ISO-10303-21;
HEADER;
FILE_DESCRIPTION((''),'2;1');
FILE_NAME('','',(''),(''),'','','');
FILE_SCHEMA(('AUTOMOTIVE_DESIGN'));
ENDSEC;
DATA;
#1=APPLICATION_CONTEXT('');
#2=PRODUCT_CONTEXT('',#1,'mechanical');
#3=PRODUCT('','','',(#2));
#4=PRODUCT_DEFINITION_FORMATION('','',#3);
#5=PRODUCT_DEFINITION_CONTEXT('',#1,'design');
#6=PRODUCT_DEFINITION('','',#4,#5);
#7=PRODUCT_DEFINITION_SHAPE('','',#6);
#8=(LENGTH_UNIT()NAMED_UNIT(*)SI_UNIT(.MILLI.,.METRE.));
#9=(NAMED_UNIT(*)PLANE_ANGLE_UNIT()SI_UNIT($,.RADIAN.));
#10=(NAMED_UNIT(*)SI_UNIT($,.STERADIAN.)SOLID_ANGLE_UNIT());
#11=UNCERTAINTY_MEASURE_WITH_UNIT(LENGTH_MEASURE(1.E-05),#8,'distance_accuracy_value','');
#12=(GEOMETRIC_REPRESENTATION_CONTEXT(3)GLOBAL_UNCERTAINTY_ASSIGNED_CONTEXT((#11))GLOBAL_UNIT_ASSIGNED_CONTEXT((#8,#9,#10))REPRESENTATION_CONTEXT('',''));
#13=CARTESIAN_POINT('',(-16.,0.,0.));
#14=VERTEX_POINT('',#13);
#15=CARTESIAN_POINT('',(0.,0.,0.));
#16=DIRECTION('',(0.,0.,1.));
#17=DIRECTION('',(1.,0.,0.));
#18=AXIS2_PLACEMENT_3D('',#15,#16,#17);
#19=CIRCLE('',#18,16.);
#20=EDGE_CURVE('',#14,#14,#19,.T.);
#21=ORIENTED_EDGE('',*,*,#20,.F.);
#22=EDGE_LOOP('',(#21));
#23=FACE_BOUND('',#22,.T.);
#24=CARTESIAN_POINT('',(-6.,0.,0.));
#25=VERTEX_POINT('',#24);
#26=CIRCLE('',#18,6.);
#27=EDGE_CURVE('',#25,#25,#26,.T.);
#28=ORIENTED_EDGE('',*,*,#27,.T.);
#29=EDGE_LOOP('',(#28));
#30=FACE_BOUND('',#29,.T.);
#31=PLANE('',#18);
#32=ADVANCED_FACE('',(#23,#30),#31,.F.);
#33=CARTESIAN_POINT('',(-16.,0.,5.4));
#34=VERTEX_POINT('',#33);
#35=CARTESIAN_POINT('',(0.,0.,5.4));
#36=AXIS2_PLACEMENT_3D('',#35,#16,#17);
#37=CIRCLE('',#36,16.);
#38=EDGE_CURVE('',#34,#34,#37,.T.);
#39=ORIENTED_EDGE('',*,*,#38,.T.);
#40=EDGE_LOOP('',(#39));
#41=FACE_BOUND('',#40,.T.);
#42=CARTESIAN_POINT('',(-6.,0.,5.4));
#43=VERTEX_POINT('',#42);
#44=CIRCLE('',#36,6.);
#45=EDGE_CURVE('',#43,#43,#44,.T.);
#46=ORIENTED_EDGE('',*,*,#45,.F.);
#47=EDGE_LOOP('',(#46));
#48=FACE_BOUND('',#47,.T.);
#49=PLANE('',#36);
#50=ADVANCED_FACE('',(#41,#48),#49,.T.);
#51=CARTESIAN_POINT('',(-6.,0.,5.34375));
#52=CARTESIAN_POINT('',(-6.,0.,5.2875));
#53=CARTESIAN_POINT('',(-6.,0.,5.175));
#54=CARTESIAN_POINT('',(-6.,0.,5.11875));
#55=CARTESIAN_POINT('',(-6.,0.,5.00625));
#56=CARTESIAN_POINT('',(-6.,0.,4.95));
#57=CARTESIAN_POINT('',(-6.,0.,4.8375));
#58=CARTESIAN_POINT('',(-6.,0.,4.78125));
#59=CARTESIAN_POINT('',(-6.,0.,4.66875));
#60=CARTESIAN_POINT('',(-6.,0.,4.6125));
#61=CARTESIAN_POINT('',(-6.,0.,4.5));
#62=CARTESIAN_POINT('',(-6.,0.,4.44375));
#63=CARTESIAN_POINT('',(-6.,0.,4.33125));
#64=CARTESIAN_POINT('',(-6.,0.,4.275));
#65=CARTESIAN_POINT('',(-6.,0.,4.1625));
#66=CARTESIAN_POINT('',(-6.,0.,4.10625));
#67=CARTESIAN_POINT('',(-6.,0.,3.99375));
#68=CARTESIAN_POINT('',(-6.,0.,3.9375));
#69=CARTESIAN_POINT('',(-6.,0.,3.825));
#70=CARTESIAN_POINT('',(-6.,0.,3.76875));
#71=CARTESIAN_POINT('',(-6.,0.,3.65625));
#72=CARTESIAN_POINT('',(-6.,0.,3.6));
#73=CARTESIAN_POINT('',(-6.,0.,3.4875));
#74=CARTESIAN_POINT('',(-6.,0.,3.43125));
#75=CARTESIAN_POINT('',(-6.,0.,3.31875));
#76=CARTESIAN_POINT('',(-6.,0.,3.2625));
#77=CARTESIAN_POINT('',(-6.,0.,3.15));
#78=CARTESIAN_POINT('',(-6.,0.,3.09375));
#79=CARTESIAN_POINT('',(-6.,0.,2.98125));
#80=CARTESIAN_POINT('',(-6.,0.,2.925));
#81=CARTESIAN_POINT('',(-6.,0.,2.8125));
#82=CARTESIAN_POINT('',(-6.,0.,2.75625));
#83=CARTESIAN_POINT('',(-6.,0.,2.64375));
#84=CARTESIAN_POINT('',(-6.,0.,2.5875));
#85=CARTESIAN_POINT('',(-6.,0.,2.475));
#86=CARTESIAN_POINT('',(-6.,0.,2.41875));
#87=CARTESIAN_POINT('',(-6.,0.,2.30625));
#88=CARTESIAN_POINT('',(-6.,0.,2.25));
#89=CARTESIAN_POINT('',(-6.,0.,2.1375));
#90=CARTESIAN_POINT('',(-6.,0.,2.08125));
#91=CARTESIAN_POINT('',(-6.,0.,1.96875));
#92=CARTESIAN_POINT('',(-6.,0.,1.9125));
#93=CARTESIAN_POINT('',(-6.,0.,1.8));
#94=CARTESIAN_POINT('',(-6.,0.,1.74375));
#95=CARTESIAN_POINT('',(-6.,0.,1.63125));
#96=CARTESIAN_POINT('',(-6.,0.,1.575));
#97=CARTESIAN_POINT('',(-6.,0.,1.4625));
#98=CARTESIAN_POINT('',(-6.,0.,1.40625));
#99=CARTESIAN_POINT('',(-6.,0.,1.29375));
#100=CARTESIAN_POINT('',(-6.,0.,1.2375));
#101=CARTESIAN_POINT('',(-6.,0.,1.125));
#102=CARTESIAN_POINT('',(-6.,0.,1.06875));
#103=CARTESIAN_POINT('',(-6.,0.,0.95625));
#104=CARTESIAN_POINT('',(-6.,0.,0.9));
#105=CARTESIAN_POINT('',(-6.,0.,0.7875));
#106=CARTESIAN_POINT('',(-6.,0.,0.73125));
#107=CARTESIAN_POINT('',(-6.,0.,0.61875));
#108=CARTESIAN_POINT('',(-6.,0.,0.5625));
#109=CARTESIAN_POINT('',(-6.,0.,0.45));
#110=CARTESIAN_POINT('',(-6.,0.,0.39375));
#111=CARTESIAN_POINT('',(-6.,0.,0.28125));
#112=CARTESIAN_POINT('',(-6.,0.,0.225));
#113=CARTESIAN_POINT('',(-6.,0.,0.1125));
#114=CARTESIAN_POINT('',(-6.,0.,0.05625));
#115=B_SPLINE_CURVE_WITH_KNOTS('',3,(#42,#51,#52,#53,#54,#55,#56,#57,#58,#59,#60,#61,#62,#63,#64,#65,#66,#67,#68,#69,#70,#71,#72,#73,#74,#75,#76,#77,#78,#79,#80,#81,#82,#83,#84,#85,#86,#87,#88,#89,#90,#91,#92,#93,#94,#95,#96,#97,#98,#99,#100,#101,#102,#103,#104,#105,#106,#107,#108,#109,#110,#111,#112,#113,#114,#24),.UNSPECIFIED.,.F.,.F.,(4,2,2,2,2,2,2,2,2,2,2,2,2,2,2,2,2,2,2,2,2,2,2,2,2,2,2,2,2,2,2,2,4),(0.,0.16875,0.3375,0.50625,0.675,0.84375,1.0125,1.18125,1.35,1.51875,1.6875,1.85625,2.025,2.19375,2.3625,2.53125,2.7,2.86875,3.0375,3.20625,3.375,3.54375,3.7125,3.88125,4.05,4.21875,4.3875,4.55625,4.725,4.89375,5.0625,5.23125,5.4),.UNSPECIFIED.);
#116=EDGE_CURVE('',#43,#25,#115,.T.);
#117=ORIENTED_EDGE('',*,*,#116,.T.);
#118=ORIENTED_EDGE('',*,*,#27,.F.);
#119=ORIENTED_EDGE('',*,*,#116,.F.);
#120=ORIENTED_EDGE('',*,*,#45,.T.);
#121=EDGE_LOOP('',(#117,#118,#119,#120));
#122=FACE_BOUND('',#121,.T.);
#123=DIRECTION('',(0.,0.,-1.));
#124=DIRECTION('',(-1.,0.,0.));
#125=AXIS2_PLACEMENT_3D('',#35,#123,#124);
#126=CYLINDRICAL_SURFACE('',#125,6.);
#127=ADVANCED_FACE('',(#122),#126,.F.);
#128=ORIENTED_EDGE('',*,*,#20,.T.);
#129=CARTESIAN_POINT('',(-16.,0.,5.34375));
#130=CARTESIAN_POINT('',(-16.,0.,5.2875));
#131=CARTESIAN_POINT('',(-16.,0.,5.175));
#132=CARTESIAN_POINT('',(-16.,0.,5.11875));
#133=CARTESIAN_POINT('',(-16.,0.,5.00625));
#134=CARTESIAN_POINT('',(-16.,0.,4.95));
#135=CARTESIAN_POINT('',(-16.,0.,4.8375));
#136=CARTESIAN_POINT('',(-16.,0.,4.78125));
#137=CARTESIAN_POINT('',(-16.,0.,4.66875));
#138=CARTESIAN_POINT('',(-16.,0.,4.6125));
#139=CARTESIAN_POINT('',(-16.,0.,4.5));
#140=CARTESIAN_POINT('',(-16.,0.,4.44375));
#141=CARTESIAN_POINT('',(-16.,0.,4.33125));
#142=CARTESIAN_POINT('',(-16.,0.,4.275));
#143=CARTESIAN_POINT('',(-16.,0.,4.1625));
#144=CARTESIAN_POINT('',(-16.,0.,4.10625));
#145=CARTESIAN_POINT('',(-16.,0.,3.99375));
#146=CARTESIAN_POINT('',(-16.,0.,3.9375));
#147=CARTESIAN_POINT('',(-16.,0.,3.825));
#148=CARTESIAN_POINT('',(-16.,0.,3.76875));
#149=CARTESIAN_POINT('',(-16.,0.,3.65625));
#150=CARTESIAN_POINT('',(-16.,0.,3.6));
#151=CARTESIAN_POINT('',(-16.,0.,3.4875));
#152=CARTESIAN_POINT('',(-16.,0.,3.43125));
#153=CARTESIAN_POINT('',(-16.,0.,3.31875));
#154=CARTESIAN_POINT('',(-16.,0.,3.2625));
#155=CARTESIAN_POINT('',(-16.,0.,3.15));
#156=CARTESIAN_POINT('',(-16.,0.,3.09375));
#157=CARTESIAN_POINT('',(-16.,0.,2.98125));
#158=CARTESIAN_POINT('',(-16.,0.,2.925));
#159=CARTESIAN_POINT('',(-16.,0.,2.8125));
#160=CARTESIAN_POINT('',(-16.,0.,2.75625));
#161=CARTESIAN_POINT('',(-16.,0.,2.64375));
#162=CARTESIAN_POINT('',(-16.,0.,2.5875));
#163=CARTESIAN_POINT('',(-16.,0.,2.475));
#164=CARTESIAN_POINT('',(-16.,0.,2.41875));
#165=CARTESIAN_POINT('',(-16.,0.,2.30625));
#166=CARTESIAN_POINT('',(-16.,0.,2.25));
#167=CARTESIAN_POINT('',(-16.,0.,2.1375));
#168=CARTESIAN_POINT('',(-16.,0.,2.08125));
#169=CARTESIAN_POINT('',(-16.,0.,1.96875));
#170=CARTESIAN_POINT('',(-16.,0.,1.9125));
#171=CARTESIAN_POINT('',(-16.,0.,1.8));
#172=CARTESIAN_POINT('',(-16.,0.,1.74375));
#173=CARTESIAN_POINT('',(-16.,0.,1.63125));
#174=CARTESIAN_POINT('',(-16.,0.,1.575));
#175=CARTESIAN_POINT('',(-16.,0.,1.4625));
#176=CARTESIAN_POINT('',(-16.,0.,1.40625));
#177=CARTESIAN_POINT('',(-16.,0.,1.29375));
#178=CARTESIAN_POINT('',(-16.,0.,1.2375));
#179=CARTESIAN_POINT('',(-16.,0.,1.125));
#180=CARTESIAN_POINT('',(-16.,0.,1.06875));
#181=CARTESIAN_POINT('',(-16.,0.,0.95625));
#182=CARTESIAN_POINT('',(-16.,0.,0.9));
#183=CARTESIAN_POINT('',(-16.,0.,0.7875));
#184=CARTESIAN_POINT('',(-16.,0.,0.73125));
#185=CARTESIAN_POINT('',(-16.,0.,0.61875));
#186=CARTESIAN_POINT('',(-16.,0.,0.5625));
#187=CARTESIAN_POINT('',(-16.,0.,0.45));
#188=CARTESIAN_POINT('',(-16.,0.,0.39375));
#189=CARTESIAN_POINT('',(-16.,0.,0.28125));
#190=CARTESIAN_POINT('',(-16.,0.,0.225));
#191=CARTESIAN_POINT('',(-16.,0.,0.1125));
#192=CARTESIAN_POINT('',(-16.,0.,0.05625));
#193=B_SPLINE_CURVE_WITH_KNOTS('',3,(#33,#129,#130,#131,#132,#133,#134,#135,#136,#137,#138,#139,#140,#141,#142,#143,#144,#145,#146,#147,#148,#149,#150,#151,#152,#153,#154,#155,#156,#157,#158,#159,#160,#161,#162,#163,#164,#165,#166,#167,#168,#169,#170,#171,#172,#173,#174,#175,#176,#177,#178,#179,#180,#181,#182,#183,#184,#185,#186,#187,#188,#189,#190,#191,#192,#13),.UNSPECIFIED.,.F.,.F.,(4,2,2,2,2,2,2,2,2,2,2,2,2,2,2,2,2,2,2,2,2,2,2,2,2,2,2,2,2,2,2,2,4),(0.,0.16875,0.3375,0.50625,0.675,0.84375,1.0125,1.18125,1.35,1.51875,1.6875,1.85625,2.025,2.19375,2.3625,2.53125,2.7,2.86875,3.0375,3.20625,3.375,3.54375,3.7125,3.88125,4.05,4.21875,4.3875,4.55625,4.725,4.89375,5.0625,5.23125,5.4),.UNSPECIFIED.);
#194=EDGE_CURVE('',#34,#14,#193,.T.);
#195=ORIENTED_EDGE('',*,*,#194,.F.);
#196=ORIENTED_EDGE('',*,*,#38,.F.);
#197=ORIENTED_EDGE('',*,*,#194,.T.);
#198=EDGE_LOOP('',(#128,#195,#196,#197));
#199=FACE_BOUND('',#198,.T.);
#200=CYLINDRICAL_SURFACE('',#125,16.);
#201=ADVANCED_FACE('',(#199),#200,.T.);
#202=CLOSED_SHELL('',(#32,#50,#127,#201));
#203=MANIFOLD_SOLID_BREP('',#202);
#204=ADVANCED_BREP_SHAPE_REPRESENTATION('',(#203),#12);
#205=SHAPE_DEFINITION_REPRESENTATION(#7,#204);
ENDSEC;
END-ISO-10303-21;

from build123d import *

# Parameters (mm, degrees)
SKICA1_R                = 16
SKICA1_R_2              = 6
P_IDAT_VYSUNUT_M1_DEPTH = 5.4


with BuildPart() as part:
    # Skica1 → Přidat vysunutím1 (new body)
    with BuildSketch(Plane.XY):
        with Locations(Location((0, 0, 0), (0, 0, 180))):
            Circle(SKICA1_R)
        with Locations(Location((0, 0, 0), (0, 0, 180))):
            Circle(SKICA1_R_2, mode=Mode.SUBTRACT)
    extrude(amount=P_IDAT_VYSUNUT_M1_DEPTH)


solid = part.part
